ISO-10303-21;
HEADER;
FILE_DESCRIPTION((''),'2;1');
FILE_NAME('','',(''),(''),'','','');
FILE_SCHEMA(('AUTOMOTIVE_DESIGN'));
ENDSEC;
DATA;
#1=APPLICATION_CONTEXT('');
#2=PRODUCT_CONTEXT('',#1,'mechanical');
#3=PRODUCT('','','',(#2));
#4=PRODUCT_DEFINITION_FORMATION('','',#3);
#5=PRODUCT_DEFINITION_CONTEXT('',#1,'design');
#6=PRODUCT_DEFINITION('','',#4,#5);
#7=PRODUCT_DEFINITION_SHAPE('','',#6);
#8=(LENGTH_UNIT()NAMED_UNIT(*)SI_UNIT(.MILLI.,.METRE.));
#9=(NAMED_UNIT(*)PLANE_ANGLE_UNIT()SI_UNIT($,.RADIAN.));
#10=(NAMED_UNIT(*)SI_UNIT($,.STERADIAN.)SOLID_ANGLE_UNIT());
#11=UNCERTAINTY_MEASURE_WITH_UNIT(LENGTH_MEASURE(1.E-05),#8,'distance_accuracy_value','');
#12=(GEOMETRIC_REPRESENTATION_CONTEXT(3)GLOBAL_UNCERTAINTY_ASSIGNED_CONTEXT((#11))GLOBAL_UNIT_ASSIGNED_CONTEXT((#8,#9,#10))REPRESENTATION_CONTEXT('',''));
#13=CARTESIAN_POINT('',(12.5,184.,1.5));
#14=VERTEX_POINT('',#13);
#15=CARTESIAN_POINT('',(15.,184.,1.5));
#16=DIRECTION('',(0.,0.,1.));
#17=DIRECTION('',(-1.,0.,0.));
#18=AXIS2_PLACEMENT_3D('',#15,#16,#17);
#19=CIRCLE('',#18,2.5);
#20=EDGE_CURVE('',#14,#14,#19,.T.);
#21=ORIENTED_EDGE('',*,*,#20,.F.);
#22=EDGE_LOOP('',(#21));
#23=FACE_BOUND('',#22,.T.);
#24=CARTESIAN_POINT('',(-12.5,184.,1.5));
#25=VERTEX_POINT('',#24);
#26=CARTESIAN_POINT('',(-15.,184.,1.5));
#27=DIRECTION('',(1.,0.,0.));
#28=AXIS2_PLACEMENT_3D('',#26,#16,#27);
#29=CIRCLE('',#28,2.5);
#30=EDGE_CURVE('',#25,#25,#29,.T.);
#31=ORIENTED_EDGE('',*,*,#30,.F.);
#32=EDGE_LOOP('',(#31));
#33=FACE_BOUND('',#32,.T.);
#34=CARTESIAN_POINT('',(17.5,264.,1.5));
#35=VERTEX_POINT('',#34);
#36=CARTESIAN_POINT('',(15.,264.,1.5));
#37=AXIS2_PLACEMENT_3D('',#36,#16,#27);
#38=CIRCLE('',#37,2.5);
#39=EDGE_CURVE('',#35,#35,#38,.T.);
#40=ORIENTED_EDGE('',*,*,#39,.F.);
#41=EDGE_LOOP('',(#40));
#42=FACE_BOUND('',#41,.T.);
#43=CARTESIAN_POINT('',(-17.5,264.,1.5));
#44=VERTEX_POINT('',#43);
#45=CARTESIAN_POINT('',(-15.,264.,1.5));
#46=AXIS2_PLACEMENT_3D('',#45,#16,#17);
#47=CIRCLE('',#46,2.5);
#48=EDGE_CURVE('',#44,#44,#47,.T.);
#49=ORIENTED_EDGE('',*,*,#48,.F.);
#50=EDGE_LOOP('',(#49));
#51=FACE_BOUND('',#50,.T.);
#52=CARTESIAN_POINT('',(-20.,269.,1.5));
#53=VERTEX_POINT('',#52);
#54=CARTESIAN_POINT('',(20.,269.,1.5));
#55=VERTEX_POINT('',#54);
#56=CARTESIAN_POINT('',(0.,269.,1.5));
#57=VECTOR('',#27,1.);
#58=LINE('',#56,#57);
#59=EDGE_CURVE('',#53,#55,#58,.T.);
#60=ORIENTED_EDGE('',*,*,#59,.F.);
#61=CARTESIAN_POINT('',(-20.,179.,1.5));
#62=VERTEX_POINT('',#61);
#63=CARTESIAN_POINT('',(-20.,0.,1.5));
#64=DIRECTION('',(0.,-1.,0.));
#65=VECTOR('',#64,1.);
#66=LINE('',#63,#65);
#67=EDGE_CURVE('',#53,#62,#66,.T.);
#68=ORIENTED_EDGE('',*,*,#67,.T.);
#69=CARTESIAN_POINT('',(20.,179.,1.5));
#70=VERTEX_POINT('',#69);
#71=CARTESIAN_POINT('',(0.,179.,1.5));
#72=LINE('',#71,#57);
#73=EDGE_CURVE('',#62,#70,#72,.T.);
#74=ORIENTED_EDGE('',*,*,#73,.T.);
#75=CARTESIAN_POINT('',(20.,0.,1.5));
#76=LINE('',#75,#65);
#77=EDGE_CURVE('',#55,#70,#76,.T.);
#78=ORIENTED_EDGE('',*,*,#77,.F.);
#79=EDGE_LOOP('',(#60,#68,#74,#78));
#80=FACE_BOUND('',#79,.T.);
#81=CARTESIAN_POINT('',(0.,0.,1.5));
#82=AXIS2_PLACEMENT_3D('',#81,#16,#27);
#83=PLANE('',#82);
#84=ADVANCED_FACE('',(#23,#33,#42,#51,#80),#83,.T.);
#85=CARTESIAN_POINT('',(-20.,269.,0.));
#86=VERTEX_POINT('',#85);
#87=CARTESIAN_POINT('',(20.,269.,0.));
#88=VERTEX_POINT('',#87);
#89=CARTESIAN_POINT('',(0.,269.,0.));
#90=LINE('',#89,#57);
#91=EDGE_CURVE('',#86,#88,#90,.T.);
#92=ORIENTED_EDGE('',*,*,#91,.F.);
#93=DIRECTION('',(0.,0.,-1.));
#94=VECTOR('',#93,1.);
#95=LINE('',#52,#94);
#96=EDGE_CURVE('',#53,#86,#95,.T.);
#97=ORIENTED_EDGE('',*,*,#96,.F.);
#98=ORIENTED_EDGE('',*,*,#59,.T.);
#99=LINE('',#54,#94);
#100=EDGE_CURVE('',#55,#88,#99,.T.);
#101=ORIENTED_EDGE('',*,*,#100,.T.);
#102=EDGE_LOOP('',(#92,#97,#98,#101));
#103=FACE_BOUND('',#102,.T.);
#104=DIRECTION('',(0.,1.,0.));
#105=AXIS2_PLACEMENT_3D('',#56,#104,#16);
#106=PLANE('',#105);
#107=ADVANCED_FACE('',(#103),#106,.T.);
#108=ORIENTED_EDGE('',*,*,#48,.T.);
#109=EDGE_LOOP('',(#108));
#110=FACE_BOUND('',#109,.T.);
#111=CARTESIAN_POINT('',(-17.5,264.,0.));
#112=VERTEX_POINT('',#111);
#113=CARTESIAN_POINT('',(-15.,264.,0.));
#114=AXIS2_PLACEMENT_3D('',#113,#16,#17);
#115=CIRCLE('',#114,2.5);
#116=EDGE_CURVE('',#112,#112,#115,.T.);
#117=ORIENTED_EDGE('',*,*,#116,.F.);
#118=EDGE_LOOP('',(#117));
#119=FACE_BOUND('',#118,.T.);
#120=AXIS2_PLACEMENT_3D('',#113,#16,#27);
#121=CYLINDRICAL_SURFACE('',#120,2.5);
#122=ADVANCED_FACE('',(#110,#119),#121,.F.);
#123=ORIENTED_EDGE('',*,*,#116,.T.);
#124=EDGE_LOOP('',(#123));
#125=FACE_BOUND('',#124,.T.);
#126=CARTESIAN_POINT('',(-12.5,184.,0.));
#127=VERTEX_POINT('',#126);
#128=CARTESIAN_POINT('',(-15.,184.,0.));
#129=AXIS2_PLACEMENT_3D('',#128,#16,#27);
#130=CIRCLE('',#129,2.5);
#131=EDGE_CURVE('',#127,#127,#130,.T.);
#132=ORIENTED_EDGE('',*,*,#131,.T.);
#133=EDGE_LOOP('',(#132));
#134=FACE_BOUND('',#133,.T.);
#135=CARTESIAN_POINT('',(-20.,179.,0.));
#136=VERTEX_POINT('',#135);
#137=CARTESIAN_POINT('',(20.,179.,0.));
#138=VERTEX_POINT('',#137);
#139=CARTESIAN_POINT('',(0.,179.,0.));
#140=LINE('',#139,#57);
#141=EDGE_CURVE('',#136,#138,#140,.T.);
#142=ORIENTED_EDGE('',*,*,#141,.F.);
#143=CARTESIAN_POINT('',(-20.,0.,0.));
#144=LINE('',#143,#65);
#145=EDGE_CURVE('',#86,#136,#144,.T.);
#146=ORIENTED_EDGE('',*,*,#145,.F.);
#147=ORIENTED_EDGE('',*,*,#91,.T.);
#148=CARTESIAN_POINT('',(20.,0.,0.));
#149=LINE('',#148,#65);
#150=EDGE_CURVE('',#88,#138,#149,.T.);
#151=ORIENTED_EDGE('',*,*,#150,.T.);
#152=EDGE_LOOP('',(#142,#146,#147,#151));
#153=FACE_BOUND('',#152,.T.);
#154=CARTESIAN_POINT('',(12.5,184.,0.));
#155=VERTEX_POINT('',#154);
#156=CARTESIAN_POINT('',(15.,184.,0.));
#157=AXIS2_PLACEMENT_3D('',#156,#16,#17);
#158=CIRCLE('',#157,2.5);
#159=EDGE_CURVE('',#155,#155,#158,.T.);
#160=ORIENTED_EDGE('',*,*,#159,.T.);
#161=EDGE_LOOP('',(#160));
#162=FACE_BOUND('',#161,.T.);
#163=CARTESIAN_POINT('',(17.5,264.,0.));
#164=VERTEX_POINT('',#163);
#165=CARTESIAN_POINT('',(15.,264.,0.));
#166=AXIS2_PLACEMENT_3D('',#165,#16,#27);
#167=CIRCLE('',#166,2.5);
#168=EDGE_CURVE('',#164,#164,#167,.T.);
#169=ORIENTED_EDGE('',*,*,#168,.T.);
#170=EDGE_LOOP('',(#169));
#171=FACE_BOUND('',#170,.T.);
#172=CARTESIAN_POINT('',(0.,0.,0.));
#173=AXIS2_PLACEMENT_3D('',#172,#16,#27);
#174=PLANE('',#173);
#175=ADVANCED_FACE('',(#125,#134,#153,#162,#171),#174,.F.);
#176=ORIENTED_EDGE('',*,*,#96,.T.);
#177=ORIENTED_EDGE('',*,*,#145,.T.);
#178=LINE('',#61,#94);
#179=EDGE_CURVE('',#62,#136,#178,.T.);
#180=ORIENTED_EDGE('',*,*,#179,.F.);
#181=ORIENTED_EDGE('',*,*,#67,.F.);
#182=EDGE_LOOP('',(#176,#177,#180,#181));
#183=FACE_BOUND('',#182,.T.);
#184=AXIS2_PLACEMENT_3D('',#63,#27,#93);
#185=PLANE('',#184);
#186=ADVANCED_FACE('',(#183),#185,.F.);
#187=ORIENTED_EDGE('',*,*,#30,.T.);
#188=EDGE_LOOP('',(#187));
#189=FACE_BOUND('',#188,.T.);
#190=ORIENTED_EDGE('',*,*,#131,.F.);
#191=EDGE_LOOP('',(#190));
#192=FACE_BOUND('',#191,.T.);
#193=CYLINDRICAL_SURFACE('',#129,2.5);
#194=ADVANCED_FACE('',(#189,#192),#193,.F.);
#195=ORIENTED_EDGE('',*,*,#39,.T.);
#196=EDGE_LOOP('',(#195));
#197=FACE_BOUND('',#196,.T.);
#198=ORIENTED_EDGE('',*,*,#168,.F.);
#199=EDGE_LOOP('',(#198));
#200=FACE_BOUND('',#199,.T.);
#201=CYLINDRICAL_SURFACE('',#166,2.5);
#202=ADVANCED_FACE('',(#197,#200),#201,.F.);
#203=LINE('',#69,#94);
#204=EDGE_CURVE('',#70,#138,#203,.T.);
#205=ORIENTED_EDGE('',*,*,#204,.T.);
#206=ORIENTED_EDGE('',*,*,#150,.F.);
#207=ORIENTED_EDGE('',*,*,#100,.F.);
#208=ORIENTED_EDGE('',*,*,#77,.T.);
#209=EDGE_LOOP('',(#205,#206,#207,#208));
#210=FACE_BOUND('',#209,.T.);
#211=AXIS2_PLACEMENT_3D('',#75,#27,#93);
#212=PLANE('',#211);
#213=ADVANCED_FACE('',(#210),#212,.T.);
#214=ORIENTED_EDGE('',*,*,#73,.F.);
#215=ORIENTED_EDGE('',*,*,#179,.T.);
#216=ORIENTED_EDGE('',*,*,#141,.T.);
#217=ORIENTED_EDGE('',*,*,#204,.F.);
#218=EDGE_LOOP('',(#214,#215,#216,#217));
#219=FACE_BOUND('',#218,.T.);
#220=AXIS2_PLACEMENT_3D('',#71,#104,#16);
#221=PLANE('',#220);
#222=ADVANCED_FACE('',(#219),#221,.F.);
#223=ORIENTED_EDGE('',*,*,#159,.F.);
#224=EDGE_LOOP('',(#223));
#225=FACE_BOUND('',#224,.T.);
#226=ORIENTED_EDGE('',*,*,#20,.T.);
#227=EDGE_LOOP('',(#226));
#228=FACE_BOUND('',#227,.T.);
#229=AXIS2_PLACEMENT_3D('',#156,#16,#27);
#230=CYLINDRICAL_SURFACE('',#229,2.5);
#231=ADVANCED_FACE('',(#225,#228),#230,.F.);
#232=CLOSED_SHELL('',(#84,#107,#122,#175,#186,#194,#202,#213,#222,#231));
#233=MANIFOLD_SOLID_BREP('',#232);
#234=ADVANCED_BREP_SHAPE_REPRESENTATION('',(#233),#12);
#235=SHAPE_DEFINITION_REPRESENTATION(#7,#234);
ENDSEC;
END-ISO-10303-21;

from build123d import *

# Parameters (mm, degrees)
SKETCH1_W           = 40
SKETCH1_H           = 41
BOSS_EXTRUDE1_DEPTH = 1.5
SKETCH2_R           = 2.5
CUT_EXTRUDE1_DEPTH  = 270.746640387


with BuildPart() as part:
    # Sketch1 → Boss-Extrude1 (new body)
    with BuildSketch(Plane.XY):
        Polygon((10, 269), (-10, 269), (-20, 269), (-20, 261), (-20, 220), (20, 220), (20, 261), (20, 269), align=None)
        with Locations((0, 199.5)):
            Rectangle(SKETCH1_W, SKETCH1_H)
    extrude(amount=BOSS_EXTRUDE1_DEPTH)

    # Sketch2 → Cut-Extrude1 (cut, through all)
    with BuildSketch(Plane.XY.offset(1.5)):
        with Locations((15, 264)):
            Circle(SKETCH2_R)
        with Locations(Location((15, 184, 0), (0, 0, 180))):
            Circle(SKETCH2_R)
        with Locations((-15, 184)):
            Circle(SKETCH2_R)
        with Locations(Location((-15, 264, 0), (0, 0, 180))):
            Circle(SKETCH2_R)
    extrude(amount=-CUT_EXTRUDE1_DEPTH, mode=Mode.SUBTRACT)


solid = part.part
